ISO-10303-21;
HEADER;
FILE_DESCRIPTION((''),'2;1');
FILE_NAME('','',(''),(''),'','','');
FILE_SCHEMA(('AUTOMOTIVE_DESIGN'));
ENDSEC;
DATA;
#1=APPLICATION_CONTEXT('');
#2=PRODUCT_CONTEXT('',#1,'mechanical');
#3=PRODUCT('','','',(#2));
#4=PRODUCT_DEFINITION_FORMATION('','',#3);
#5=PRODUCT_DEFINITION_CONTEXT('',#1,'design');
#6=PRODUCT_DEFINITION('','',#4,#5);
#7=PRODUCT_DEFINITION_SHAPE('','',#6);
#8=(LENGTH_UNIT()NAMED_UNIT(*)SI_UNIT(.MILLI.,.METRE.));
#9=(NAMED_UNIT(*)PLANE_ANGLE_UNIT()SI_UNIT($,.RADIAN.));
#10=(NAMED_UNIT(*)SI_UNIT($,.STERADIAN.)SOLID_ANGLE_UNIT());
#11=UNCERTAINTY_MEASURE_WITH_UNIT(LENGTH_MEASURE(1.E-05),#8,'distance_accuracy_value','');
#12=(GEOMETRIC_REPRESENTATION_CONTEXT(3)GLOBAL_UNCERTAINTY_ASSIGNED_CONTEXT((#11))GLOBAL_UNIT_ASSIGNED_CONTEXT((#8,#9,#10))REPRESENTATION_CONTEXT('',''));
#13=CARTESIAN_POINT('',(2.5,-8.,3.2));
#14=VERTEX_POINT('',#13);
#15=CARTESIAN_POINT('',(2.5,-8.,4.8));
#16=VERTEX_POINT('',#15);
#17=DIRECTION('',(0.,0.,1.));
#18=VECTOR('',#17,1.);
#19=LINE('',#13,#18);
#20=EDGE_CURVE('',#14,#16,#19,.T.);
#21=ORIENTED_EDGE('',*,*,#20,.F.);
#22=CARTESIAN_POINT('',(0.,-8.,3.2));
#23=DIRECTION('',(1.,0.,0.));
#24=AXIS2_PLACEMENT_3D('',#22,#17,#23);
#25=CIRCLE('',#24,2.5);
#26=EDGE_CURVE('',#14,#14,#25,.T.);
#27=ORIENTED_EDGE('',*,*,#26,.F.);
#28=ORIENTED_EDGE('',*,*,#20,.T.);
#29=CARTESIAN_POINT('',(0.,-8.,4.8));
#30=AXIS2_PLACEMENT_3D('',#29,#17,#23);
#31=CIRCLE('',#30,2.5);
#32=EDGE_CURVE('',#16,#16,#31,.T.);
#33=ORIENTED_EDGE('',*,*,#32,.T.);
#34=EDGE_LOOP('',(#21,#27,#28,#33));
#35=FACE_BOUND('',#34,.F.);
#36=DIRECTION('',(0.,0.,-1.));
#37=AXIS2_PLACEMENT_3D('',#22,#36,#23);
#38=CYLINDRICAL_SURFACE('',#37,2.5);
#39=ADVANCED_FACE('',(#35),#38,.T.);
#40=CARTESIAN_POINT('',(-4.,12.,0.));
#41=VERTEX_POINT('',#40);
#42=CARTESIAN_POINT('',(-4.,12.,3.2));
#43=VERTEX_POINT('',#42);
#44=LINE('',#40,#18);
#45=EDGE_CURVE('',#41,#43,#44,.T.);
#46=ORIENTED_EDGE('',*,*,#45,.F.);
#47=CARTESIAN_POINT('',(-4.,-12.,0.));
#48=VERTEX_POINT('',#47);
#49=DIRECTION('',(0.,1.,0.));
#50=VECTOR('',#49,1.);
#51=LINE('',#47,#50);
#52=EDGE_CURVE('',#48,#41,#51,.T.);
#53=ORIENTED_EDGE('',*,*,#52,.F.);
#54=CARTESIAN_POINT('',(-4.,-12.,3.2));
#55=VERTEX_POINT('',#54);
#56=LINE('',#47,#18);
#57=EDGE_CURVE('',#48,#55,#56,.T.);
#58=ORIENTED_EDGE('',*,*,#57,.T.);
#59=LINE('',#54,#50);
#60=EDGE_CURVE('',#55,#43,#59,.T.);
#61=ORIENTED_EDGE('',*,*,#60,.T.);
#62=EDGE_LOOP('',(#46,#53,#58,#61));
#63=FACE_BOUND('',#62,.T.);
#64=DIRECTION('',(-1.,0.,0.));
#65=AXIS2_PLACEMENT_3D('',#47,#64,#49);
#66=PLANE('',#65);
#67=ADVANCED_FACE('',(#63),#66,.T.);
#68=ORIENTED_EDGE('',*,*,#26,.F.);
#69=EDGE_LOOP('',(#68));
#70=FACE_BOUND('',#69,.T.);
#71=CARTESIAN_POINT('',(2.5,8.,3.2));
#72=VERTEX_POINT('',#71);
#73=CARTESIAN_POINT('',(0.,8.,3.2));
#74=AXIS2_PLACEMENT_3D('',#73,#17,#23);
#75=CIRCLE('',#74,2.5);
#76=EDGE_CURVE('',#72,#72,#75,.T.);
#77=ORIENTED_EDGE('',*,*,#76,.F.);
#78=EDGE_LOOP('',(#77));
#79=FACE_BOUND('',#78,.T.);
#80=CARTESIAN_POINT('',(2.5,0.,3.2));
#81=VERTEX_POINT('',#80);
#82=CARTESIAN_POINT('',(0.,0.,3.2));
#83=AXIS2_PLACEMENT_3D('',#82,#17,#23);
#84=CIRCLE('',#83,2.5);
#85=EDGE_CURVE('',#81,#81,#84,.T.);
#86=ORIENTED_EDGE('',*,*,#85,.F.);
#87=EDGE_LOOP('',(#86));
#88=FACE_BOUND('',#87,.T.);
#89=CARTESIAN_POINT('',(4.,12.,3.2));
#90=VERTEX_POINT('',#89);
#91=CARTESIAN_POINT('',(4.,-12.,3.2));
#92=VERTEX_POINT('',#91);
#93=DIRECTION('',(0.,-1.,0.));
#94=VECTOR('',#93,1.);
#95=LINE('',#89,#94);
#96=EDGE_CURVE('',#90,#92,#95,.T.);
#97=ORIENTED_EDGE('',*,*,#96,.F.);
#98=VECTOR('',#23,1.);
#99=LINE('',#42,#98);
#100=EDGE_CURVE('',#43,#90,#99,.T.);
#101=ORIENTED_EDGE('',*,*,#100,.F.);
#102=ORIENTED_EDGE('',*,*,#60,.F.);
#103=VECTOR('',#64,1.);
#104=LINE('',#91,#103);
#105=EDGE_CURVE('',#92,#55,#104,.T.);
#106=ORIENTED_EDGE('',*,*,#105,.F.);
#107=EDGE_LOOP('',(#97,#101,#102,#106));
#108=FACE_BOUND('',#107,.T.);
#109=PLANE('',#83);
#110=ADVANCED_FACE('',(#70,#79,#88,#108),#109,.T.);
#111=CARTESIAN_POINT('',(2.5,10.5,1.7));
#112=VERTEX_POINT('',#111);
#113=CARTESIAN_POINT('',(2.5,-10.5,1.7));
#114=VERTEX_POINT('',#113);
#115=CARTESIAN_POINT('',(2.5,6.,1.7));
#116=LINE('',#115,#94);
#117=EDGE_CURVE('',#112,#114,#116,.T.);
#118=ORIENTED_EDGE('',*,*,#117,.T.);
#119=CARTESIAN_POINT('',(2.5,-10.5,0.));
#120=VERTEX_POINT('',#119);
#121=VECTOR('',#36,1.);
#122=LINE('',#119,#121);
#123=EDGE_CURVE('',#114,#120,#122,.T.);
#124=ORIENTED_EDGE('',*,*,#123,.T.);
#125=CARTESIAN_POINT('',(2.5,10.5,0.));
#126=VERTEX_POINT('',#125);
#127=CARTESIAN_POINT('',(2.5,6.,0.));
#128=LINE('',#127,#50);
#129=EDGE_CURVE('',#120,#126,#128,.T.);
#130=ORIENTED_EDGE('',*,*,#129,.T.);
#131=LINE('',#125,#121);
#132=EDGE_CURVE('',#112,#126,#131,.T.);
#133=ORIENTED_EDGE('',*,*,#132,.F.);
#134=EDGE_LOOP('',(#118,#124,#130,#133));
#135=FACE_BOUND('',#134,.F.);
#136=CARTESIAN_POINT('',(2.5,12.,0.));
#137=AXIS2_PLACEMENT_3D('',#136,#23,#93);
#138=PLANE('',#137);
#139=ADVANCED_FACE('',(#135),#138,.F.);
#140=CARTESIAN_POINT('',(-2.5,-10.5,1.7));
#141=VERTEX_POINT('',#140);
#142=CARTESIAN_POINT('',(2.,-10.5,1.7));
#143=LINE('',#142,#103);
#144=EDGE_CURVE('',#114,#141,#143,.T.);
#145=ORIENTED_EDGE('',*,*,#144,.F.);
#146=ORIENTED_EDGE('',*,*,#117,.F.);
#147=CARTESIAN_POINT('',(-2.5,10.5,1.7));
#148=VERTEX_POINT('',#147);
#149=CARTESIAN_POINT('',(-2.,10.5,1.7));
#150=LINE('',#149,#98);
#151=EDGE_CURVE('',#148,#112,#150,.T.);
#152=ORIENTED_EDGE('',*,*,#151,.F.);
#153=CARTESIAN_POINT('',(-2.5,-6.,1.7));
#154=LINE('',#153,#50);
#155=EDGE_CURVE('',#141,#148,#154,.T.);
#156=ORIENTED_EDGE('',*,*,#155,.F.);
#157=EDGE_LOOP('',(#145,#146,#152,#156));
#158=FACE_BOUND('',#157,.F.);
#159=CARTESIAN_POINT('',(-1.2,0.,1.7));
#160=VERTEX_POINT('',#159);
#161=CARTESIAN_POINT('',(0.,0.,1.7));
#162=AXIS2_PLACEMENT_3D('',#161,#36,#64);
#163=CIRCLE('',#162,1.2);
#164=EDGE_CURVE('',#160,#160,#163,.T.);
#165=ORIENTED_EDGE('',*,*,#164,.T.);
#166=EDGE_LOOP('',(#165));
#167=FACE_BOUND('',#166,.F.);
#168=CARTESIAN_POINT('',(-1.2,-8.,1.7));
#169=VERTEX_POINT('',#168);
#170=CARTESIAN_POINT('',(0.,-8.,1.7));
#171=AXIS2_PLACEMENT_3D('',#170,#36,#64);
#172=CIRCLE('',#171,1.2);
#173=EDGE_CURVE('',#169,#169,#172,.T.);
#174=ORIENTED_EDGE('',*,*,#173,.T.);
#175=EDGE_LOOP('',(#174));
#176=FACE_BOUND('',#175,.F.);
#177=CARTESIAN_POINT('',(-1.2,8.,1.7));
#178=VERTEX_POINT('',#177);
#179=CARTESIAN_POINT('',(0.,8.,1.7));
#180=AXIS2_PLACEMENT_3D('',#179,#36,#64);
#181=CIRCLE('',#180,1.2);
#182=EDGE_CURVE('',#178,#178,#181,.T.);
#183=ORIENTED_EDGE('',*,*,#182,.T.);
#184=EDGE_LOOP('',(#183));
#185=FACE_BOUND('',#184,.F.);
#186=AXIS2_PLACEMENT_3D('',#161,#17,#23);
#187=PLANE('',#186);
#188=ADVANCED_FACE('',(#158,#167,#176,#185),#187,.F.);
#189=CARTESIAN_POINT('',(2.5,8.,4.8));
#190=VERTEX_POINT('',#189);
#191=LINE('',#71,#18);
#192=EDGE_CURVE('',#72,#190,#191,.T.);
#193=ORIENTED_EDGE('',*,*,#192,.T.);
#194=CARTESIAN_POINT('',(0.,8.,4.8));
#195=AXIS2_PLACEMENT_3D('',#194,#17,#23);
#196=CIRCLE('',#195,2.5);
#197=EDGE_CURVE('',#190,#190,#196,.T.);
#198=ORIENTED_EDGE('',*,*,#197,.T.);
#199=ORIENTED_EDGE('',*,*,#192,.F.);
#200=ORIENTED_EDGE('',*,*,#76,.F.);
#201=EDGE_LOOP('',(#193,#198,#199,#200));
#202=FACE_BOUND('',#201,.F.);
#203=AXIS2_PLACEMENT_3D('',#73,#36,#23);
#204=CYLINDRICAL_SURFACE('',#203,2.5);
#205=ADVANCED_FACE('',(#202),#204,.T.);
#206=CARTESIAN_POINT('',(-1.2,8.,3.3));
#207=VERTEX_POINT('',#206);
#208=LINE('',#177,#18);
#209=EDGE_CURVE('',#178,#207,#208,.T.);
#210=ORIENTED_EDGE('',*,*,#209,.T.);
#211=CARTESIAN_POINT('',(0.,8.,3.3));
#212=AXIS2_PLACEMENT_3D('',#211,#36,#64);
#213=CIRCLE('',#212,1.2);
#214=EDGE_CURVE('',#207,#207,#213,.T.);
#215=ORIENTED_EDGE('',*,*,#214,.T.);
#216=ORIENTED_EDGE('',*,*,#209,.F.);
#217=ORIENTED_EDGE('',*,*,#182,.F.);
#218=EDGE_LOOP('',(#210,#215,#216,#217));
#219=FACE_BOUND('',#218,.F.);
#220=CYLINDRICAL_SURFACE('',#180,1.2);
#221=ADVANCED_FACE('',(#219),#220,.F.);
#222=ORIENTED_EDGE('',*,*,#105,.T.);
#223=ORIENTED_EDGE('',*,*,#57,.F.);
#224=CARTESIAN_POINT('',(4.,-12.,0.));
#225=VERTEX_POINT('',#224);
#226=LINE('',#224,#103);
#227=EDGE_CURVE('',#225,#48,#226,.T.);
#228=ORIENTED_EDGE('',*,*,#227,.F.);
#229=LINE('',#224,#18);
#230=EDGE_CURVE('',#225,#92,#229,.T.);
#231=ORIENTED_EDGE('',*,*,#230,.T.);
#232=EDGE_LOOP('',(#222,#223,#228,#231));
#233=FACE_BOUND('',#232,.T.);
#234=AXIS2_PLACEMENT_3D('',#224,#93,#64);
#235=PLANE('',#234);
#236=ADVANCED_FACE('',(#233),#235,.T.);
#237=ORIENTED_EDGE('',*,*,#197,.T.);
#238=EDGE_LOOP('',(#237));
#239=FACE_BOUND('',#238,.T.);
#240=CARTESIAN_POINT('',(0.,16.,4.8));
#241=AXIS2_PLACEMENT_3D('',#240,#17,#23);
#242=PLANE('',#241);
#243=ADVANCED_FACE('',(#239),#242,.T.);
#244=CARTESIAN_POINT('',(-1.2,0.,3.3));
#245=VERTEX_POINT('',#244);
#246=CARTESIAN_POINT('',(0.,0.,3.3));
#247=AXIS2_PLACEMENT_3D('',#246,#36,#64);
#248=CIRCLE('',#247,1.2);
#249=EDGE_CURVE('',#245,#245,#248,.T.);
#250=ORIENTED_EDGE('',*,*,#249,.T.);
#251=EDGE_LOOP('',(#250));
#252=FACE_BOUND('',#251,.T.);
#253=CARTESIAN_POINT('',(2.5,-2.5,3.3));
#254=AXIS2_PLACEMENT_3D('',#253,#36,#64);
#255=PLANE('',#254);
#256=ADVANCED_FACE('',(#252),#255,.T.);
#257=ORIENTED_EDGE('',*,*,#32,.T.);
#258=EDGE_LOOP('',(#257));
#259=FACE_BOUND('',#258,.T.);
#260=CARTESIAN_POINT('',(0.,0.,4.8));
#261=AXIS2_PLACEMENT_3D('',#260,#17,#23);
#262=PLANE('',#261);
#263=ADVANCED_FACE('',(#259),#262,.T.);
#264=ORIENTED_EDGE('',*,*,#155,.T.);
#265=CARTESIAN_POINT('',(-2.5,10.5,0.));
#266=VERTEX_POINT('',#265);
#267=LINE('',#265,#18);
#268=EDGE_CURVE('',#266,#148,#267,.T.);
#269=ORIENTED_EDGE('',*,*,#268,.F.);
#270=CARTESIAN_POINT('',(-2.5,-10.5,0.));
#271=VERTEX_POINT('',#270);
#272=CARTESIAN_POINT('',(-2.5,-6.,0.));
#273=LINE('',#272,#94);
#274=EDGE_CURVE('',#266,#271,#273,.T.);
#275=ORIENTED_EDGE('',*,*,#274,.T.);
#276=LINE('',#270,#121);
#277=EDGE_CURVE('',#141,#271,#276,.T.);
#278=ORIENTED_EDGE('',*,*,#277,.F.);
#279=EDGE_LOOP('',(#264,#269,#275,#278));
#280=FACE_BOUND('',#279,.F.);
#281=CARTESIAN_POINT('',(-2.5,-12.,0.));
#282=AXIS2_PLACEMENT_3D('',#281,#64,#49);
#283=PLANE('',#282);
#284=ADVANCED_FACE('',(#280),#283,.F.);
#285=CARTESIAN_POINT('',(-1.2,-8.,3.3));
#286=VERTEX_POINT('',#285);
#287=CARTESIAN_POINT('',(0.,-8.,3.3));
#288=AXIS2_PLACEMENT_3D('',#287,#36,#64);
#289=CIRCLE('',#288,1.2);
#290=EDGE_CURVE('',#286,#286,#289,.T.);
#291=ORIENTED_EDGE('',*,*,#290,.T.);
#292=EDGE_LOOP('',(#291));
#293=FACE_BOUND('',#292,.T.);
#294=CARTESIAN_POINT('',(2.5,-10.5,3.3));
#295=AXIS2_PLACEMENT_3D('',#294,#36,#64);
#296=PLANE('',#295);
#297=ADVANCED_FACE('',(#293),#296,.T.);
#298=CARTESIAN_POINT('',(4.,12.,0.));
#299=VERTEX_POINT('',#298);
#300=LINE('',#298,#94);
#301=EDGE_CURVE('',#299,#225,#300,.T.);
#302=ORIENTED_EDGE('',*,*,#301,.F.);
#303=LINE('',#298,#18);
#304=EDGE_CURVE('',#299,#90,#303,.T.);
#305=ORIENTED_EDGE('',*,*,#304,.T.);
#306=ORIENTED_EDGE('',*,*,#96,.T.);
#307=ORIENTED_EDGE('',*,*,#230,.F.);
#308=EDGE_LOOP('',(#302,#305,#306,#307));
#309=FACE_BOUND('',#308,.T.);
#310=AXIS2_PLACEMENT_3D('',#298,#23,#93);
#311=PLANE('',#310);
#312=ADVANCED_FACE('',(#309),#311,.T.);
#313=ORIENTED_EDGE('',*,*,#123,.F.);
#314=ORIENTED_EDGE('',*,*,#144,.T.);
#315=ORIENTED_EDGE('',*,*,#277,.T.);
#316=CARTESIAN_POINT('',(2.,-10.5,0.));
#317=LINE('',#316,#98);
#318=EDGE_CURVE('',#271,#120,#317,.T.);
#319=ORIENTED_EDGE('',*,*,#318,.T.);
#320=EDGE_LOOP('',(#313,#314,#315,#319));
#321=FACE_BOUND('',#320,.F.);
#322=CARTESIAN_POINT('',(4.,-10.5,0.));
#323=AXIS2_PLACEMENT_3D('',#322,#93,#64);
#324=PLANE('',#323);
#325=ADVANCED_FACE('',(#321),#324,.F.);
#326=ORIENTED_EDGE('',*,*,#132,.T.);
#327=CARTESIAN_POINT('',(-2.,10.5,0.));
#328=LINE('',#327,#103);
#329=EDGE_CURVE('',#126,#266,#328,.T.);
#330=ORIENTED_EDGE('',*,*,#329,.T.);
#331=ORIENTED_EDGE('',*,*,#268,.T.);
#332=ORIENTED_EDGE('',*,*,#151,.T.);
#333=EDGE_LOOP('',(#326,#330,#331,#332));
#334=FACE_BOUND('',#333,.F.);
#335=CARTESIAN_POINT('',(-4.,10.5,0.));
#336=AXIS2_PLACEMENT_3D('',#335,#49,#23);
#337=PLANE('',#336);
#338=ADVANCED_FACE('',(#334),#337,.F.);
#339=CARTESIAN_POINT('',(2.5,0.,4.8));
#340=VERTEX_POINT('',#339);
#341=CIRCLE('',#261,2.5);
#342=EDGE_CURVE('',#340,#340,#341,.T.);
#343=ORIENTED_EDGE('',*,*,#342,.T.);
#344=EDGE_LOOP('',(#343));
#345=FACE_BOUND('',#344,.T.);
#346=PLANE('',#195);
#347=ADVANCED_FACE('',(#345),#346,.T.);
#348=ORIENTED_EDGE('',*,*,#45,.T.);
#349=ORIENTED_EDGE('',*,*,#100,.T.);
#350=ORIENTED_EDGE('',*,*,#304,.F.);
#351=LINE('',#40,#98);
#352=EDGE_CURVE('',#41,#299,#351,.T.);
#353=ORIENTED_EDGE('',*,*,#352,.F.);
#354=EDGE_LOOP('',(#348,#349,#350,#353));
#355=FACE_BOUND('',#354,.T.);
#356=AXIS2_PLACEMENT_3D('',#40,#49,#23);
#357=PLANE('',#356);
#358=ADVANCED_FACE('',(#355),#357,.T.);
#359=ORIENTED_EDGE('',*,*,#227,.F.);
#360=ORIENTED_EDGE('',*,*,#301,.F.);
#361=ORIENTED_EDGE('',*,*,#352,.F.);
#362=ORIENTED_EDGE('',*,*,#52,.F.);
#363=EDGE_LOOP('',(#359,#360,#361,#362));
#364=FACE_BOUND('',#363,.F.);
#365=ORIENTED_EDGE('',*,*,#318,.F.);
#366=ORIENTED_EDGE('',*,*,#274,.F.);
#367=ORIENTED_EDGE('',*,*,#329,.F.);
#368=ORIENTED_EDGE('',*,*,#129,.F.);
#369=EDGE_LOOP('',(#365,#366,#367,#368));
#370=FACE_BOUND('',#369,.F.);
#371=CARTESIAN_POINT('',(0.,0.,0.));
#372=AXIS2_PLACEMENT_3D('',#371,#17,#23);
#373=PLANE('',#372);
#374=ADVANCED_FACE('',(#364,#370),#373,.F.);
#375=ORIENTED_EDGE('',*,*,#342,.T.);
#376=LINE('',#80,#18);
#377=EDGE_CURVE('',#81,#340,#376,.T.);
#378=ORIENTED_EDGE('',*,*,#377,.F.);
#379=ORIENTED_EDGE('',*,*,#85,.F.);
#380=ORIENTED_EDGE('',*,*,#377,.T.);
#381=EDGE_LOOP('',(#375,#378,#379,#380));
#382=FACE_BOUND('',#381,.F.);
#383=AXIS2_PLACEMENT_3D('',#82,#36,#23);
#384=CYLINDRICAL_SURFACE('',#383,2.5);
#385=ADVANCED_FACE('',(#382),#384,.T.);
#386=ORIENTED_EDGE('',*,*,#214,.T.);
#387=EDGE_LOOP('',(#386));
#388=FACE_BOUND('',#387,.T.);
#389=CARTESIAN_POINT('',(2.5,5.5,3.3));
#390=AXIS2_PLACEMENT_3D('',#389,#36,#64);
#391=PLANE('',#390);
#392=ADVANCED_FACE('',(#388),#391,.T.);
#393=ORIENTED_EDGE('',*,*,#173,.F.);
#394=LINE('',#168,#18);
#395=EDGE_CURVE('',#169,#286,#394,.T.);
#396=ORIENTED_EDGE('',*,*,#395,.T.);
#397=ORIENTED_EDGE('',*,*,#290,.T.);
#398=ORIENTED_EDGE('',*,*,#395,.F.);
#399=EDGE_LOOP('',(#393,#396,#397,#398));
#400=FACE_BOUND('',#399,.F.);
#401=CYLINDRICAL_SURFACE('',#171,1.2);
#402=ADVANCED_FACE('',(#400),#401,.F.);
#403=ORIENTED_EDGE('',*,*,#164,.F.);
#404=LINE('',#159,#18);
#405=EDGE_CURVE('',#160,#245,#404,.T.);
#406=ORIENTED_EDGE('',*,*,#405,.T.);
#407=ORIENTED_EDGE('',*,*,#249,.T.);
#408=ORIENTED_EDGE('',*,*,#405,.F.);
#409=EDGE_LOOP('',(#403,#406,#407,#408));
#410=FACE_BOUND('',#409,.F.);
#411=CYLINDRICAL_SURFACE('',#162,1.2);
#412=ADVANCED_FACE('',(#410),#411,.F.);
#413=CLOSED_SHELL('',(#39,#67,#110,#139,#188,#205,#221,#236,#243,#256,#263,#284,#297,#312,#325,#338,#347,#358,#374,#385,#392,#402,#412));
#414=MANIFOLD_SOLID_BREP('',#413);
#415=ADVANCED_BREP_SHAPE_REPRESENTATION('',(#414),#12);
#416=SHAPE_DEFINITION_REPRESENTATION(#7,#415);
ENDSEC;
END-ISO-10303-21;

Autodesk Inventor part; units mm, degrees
ref_plane "YZ Plane" through (0, 0, 0) normal (1, 0, 0) x (0, 1, 0)
ref_plane "XZ Plane" through (0, 0, 0) normal (0, 1, 0) x (-1, 0, 0)
ref_plane "XY Plane" through (0, 0, 0) normal (0, 0, 1) x (1, 0, 0)
sketch "Sketch1" plane through (0, 0, 0) normal (0, 0, 1) x (1, 0, 0)
  line L0 (-4, 12) -> (4, 12)
  line L1 (4, 12) -> (4, -12)
  line L2 (4, -12) -> (-4, -12)
  line L3 (-4, -12) -> (-4, 12)
  point P0 (0, 0)
  dimension "d0" = 8
  dimension "d1" = 24
  dimension "d2" = 4
  dimension "d3" = 12
extrude "Extrusion1" add sketch "Sketch1" along normal blind 3.2
shell "Shell1" thickness 1.5 removed faces 1 at (-1.3333, 4, 0)
sketch "Sketch2" plane through (0, 0, 3.2) normal (0, 0, 1) x (1, 0, 0)
  circle A0 centre (0, -8) radius 2.5
  line L0 (4, 12) -> (4, -12) projected
  line L1 (4, -12) -> (-4, -12) projected
  dimension "d7" = 5
  dimension "d10" = 4
  dimension "d11" = 4
extrude "Extrusion2" add sketch "Sketch2" along normal blind 1.6
sketch "Sketch3" plane through (2.5, -10.5, 1.7) normal (0, 0, -1) x (-1, 0, 0)
  circle A0 centre (2.5, 2.5) radius 2.5 projected
  circle A1 centre (2.5, 2.5) radius 1.2
  point P0 (2.5, 10.5)
  dimension "d18" = 2.4
extrude "Extrusion3" cut sketch "Sketch3" against normal blind 1.6 contours A1
pattern_linear "Rectangular Pattern1" count 3 spacing 8 along (0, 1, 0) of "Extrusion2", "Extrusion3"
sketch "Sketch4" plane through (2.5, -10.5, 1.7) normal (0, 0, -1) x (-1, 0, 0)
  circle A0 centre (2.5, 10.5) radius 1.2 projected
  circle A1 centre (2.5, 2.5) radius 1.2 projected
  line L0 (0, 21) -> (0, 0) projected
  line L1 (0, 0) -> (5, 0) projected
  circle A2 centre (6.5, 6.5) radius 3.15
  circle A3 centre (6.5, 6.5) radius 2.5
  point P0 (2.5, 10.5)
  dimension "d21" = 6.5
  dimension "d22" = 6.5
  dimension "d23" = 10.5
  dimension "d24" = 2.5
  dimension "d25" = 5
  dimension "d26" = 6.3
extrude "Extrusion4" [suppressed]
pattern_linear "Rectangular Pattern2" [suppressed]
equation "\"d0\" = 8 * WIDTH"
equation "\"d1\" = 8 * LENGTH"
equation "\"d2\" = 0.5 * d0"
equation "\"d3\" = 0.5 * d1"
equation "\"d4\" = HEIGHT"
equation "\"d21\" = 0.5 * d23 + 0.5 * d24"
equation "\"d22\" = d21"
equation "\"WIDTH\" = 1"
equation "\"HEIGHT\" = 3.2"
equation "\"LENGTH\" = 3"
properties part number "3623" material "Steel"
